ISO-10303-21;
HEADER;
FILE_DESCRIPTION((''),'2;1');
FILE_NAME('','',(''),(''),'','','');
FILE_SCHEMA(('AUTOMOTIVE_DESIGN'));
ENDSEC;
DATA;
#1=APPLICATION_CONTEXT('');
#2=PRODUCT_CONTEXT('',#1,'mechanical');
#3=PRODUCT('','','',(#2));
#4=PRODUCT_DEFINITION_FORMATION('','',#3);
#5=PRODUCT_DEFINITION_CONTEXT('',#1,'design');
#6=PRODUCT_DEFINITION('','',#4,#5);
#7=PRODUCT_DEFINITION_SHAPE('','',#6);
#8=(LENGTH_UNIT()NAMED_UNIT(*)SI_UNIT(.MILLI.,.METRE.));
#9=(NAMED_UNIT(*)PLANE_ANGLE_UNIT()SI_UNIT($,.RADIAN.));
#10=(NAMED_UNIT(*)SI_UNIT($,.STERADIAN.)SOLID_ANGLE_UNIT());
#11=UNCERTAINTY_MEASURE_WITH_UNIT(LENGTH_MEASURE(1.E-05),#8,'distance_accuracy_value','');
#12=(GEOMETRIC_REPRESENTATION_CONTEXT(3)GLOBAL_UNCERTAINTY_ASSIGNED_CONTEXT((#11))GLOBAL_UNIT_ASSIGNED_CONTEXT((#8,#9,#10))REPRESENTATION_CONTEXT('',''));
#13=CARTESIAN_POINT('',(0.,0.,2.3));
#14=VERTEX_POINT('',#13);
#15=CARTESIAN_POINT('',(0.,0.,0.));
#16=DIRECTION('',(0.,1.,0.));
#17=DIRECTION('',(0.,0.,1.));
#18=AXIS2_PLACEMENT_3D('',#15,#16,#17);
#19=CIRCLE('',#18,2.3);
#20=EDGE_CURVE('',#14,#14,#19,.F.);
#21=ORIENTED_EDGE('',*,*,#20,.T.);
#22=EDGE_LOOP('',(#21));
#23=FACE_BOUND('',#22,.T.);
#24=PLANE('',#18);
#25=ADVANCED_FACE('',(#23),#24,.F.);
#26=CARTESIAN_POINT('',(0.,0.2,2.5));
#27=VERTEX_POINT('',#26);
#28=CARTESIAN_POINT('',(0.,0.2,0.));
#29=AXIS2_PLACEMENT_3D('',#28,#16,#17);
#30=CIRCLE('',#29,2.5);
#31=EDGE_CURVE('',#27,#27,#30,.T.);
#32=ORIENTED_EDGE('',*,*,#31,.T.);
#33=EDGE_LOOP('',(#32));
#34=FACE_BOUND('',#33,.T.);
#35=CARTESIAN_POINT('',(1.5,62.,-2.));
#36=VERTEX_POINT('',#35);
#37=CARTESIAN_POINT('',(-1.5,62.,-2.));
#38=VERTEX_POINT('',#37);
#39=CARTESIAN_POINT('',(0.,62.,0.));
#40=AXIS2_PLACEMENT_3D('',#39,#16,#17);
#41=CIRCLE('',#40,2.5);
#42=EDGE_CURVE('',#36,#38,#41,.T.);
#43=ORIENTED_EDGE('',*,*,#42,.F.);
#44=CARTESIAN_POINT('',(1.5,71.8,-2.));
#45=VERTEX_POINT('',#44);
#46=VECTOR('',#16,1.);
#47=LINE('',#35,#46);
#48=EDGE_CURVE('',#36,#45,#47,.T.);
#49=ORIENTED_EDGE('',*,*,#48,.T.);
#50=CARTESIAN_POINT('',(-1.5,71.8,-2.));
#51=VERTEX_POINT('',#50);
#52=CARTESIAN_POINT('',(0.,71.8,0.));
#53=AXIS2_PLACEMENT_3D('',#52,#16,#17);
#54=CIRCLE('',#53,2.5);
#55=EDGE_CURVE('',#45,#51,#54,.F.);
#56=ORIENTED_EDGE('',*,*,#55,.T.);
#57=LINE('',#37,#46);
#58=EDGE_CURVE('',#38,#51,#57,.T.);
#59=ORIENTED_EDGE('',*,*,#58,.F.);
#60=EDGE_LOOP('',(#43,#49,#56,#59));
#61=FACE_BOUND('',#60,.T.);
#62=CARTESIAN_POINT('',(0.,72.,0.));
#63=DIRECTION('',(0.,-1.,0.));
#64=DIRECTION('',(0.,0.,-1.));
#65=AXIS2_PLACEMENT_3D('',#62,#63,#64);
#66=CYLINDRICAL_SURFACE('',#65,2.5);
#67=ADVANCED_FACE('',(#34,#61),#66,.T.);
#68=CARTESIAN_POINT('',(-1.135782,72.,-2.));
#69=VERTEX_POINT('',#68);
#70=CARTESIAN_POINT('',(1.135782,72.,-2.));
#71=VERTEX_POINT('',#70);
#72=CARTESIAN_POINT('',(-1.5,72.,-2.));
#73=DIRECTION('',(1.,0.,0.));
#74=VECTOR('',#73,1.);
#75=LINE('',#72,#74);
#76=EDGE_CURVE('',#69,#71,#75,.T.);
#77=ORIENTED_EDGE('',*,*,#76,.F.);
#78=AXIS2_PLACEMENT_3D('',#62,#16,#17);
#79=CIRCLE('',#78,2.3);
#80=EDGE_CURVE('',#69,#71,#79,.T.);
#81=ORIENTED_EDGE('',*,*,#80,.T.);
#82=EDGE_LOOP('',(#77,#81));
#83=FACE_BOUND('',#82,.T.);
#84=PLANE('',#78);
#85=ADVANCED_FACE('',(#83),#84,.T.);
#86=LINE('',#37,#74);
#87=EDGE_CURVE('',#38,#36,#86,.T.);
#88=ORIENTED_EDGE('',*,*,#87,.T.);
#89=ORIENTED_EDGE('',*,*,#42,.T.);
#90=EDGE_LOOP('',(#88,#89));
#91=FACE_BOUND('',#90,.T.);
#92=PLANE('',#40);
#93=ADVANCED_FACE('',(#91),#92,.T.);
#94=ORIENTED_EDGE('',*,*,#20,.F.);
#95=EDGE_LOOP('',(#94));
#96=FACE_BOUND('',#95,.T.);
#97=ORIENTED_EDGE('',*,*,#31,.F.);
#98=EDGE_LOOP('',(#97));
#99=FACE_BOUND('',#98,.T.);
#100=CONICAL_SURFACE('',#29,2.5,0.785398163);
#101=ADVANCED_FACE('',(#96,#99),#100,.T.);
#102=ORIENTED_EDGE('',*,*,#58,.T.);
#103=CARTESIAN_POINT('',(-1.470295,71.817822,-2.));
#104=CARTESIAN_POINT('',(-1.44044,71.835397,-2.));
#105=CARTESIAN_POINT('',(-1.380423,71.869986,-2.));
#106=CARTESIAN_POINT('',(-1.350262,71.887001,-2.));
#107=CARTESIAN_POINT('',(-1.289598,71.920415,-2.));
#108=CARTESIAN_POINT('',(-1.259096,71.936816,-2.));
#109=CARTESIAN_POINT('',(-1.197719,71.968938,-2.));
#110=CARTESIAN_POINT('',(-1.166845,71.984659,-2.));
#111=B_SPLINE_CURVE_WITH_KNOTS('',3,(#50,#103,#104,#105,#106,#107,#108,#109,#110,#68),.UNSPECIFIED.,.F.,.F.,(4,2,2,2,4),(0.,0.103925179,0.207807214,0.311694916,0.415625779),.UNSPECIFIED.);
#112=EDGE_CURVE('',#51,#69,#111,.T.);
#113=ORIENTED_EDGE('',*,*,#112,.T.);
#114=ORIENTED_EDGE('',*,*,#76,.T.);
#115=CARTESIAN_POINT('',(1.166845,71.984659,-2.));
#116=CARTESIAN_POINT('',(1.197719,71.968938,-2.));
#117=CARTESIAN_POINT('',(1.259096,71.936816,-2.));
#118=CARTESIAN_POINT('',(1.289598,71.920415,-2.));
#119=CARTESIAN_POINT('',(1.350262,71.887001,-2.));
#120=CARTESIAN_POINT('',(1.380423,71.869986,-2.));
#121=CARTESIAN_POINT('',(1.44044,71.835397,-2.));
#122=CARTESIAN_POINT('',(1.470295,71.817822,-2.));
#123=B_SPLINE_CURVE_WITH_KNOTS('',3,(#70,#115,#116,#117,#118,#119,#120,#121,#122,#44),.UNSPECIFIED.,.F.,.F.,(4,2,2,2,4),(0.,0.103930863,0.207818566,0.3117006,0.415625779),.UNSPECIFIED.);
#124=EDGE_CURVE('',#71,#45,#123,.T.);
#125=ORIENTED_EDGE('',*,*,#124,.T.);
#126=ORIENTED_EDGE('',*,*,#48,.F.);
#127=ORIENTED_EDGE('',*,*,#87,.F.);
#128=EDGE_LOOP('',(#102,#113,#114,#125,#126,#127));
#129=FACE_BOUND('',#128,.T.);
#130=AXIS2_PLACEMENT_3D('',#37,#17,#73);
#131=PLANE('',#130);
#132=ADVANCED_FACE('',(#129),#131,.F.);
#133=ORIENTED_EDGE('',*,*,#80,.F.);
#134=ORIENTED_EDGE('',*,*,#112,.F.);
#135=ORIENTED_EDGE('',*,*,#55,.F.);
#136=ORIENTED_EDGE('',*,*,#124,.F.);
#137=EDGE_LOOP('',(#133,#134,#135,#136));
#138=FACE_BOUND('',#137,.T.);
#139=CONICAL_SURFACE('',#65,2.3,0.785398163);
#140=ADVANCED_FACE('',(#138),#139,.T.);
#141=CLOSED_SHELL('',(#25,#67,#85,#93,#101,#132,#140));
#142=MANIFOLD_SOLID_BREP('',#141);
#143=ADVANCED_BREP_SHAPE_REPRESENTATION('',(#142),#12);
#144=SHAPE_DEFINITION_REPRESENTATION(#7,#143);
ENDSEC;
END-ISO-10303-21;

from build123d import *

# Parameters (mm, degrees)
CROQUIS1_R              = 2.5
SALIENTE_EXTRUIR1_DEPTH = 72
CORTAR_EXTRUIR1_START   = -10
CORTAR_EXTRUIR1_DEPTH   = 10
CHAFL_N1_SIZE           = 0.2


with BuildPart() as part:
    # Croquis1 → Saliente-Extruir1 (new body)
    with BuildSketch(Plane(origin=(0, 0, 0), x_dir=(1, 0, 0), z_dir=(0, 1, 0))):
        with Locations(Location((0, 0, 0), (0, 0, 270))):
            Circle(CROQUIS1_R)
    extrude(amount=SALIENTE_EXTRUIR1_DEPTH)

    # Croquis2 → Cortar-Extruir1 (cut)
    with BuildSketch(Plane(origin=(0, 72, 0), x_dir=(1, 0, 0), z_dir=(0, 1, 0)).offset(CORTAR_EXTRUIR1_START)):
        with BuildLine():
            Line((-1.5, 2), (1.5, 2))
            ThreePointArc((1.5, 2), (0, 2.5), (-1.5, 2))
        make_face()
    extrude(amount=CORTAR_EXTRUIR1_DEPTH, mode=Mode.SUBTRACT)

    # Chaflán1
    chafl_n1_edges = [part.edges().sort_by_distance(p)[0] for p in [
        (0, 0, -2.5),
        (-2.371708245, 72, 0.790569415),
    ]]
    chamfer(chafl_n1_edges, length=CHAFL_N1_SIZE)


solid = part.part
